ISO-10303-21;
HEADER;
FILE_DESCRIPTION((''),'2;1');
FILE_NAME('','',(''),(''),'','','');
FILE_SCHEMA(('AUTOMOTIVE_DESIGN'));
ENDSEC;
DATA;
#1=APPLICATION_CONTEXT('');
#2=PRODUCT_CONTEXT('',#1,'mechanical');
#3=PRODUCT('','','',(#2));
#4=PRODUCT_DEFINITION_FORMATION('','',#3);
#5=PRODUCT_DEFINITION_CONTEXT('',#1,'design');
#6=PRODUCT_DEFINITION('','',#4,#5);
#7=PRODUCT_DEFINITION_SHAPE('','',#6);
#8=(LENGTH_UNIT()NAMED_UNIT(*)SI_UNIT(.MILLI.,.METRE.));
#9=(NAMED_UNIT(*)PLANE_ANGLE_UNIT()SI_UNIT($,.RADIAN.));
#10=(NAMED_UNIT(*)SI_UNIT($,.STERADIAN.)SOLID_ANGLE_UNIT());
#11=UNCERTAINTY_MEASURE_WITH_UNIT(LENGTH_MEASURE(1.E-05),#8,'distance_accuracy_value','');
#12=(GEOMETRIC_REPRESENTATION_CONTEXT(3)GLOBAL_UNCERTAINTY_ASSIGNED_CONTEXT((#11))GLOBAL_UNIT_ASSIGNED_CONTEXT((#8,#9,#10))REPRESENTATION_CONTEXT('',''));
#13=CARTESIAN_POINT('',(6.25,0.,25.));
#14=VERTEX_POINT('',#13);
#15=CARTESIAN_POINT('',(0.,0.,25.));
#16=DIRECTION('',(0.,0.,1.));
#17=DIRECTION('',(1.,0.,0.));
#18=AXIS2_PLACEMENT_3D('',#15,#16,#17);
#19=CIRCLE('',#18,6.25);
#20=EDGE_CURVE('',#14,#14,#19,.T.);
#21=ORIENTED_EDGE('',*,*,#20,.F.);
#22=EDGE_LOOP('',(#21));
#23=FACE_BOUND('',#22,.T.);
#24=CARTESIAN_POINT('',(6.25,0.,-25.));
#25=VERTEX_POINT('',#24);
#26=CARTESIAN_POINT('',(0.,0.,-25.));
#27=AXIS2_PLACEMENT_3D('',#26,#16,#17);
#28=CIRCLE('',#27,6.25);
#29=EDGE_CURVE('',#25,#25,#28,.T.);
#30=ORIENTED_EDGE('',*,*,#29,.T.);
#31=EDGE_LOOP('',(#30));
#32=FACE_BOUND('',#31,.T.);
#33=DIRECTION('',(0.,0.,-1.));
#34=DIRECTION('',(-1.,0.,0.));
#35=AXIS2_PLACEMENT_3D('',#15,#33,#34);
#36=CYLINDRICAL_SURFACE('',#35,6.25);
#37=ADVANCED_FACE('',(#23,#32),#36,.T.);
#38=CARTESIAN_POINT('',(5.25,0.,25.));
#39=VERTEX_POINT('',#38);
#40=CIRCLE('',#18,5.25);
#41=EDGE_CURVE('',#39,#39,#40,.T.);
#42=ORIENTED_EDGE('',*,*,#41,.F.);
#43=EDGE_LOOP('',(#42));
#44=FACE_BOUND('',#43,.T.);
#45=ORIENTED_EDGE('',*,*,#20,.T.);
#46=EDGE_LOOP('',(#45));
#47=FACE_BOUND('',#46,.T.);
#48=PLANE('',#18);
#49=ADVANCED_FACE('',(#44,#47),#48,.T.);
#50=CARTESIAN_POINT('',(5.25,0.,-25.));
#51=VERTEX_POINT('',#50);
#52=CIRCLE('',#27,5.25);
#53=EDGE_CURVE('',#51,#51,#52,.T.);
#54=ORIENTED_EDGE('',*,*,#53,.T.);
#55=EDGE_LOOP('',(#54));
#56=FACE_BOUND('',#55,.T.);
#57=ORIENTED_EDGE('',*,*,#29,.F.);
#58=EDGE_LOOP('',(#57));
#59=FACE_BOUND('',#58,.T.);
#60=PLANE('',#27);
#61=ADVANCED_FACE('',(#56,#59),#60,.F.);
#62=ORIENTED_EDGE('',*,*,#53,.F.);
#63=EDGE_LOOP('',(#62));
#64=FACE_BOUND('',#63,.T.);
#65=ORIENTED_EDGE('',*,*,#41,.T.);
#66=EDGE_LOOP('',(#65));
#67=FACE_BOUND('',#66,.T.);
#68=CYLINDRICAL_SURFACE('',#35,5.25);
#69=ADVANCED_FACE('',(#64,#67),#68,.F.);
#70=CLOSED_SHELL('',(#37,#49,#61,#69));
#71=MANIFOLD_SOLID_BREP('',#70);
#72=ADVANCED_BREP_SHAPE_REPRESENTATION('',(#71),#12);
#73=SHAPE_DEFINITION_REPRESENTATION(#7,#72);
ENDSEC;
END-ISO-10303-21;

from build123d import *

# Parameters (mm, degrees)
CROQUIS1_R              = 6.25
CROQUIS1_R_2            = 5.25
SALIENTE_EXTRUIR1_DEPTH = 25


with BuildPart() as part:
    # Croquis1 → Saliente-Extruir1 (new body, symmetric)
    with BuildSketch(Plane.XY):
        Circle(CROQUIS1_R)
        Circle(CROQUIS1_R_2, mode=Mode.SUBTRACT)
    extrude(amount=SALIENTE_EXTRUIR1_DEPTH, both=True)


solid = part.part
